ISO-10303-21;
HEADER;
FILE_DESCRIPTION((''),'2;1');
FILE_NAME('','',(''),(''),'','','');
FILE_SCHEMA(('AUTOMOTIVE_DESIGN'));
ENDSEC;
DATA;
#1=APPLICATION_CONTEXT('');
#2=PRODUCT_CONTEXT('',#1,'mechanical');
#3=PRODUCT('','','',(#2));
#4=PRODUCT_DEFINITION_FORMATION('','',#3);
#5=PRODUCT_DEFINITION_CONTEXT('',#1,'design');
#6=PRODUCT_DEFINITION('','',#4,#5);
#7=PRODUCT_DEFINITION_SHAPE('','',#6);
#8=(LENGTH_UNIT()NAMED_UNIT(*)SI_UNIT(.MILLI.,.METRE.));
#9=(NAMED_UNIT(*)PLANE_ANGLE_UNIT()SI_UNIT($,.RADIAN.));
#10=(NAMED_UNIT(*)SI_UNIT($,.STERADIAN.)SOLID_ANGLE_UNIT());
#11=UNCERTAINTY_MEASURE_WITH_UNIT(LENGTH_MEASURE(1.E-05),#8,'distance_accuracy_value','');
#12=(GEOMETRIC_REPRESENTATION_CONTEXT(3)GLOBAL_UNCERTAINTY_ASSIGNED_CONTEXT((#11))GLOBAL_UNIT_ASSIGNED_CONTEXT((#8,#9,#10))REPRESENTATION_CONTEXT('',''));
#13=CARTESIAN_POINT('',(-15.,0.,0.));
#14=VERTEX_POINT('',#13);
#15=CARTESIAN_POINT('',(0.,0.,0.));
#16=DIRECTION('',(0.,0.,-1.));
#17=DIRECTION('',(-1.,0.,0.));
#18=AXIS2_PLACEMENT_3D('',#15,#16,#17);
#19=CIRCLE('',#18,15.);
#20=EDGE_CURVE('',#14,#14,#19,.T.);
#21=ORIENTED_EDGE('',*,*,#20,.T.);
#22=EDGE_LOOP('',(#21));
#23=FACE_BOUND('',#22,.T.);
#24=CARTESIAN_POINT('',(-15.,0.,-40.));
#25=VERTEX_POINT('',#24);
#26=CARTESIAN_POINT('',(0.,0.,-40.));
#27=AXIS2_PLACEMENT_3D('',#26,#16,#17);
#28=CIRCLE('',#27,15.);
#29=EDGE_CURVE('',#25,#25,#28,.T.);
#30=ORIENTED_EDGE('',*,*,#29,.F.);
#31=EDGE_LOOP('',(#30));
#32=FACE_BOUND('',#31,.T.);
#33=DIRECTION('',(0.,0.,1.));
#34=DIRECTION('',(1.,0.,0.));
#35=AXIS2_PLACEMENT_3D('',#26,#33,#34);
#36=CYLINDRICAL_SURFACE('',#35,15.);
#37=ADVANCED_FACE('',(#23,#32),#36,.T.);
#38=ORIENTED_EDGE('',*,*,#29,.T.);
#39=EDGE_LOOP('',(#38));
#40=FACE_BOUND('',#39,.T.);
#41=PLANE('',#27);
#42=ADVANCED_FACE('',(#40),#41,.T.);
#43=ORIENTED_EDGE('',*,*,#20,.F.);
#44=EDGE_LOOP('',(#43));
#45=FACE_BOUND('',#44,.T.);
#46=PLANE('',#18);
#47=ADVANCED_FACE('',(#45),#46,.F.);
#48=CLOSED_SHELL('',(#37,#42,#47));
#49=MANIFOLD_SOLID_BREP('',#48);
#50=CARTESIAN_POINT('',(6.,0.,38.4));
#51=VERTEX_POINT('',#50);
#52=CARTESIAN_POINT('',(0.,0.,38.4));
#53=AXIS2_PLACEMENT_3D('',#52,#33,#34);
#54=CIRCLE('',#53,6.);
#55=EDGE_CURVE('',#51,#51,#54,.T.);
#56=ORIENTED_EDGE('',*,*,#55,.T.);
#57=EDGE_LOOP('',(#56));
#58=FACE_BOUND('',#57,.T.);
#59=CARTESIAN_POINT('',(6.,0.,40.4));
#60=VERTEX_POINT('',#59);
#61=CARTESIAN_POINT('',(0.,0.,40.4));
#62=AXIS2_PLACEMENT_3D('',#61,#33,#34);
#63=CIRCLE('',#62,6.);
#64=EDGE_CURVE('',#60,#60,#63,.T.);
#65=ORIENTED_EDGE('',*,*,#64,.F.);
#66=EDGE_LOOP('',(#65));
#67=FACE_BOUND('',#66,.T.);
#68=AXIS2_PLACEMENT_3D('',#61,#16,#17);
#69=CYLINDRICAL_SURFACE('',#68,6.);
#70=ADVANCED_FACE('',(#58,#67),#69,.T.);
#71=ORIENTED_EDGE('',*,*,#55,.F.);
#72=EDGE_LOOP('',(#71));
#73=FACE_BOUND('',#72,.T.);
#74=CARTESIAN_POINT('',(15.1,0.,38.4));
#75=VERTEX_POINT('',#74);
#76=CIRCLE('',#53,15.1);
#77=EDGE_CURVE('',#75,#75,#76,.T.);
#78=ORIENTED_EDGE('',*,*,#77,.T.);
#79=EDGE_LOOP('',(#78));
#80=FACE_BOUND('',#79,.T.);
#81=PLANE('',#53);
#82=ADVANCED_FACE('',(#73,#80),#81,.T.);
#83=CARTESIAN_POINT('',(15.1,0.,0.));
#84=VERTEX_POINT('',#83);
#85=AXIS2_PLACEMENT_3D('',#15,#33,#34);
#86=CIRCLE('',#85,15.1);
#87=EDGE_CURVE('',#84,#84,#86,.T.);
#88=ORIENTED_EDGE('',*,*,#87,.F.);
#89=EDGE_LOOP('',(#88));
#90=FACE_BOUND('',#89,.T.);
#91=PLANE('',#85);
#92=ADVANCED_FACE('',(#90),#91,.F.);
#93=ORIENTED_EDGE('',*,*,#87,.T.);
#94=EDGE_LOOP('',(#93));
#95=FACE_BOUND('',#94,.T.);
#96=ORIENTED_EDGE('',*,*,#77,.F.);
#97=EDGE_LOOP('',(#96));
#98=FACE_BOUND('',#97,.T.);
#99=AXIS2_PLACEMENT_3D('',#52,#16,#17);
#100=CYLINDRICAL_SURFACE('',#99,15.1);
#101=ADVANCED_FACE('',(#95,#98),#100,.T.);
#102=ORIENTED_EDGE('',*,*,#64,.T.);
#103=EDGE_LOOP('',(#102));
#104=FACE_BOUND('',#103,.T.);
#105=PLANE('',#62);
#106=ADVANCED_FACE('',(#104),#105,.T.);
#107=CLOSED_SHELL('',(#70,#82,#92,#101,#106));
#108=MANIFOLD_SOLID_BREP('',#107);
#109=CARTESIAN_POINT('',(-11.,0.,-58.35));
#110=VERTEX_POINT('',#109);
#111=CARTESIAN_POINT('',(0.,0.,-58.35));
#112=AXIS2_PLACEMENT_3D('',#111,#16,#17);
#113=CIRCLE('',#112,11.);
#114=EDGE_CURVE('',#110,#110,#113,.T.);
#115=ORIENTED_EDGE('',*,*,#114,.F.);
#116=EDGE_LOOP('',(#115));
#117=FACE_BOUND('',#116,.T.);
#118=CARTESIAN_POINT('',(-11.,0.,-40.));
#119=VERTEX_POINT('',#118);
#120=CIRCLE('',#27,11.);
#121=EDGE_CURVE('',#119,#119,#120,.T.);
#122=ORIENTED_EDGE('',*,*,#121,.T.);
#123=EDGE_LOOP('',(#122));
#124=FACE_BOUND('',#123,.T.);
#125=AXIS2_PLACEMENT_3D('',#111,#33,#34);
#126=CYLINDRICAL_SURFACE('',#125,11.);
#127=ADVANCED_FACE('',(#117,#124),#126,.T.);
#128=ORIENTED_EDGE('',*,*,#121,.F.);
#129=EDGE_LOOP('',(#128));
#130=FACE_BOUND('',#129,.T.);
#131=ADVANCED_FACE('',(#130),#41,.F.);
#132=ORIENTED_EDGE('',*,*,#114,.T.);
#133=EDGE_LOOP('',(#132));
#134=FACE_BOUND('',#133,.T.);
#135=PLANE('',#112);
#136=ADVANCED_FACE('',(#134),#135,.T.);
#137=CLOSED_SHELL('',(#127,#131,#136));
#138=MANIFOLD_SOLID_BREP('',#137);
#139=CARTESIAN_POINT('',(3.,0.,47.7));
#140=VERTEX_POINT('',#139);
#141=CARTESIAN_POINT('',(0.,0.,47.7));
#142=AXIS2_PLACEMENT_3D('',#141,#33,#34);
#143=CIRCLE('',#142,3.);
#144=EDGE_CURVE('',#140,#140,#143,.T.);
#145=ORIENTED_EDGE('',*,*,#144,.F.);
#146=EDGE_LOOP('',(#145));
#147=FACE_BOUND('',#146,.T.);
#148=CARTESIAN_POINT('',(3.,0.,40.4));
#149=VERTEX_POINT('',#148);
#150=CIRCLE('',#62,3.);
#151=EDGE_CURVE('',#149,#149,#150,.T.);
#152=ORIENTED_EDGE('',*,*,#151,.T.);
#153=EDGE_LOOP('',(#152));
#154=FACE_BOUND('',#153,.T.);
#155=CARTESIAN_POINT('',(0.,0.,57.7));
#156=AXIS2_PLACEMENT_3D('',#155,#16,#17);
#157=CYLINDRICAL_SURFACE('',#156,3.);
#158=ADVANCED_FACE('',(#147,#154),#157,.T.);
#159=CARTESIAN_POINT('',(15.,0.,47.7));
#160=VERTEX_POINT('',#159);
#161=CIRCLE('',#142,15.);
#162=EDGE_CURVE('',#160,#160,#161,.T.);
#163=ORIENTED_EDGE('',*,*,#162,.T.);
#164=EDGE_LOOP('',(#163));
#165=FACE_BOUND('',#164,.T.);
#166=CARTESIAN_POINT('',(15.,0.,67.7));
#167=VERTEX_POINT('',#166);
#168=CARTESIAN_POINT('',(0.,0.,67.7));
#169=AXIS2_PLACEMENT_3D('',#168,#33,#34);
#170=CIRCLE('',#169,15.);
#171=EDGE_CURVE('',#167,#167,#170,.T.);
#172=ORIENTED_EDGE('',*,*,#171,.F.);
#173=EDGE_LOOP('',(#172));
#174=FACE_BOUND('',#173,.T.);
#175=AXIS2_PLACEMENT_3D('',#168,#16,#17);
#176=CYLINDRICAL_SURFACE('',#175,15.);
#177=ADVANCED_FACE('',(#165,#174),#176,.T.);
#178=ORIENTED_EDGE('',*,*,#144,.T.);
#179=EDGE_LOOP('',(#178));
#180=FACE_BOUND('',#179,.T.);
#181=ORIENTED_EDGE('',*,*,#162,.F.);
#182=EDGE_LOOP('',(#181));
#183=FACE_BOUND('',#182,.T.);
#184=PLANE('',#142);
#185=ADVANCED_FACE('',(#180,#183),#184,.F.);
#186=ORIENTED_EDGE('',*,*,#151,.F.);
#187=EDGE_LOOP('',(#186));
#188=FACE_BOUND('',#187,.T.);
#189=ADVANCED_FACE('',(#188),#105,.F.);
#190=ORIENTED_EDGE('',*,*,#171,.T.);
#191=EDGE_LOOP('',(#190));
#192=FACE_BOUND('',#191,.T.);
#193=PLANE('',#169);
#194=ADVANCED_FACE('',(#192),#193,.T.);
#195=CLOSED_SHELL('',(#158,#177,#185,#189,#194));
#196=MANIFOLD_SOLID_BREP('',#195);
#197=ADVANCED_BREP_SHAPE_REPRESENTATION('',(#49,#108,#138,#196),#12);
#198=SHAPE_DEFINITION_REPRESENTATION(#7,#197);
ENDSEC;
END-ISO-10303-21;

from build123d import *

# Parameters (mm, degrees)
SKETCH1_R                = 15.1
BOSS_EXTRUDE1_DEPTH      = 38.4
SKETCH2_R                = 15
BOSS_EXTRUDE2_DEPTH      = 40
SKETCH3_R                = 6
BOSS_EXTRUDE3_DEPTH      = 2
SKETCH4_R                = 11
BOSS_EXTRUDE4_DEPTH      = 18.35
SKETCH5_R                = 3
BOSS_EXTRUDE5_DEPTH      = 17.3
BOSS_EXTRUDE6_DEPTH      = 10
BOSS_EXTRUDE6_DEPTH_BACK = 10
SKETCH6_R                = 15


with BuildPart() as part:
    # Sketch1 → Boss-Extrude1 (new body)
    with BuildSketch(Plane.XY):
        Circle(SKETCH1_R)
    extrude(amount=BOSS_EXTRUDE1_DEPTH)

    # Sketch3 → Boss-Extrude3 (add)
    with BuildSketch(Plane.XY.offset(38.4)):
        Circle(SKETCH3_R)
    extrude(amount=BOSS_EXTRUDE3_DEPTH)


with BuildPart() as body_2:
    # Sketch2 → Boss-Extrude2 (new body)
    with BuildSketch(Plane(origin=(0, 0, 0), x_dir=(-1, 0, 0), z_dir=(0, 0, -1))):
        Circle(SKETCH2_R)
    extrude(amount=BOSS_EXTRUDE2_DEPTH)


with BuildPart() as body_3:
    # Sketch4 → Boss-Extrude4 (new body)
    with BuildSketch(Plane(origin=(0, 0, -40), x_dir=(-1, 0, 0), z_dir=(0, 0, -1))):
        Circle(SKETCH4_R)
    extrude(amount=BOSS_EXTRUDE4_DEPTH)


with BuildPart() as body_4:
    # Sketch5 → Boss-Extrude5 (new body)
    with BuildSketch(Plane.XY.offset(40.4)):
        Circle(SKETCH5_R)
    extrude(amount=BOSS_EXTRUDE5_DEPTH)

    # Sketch6 → Boss-Extrude6 (add, two sides: drawn at the far end of the back side and taken through both)
    with BuildSketch(Plane.XY.offset(57.7).offset(-BOSS_EXTRUDE6_DEPTH_BACK)):
        Circle(SKETCH6_R)
    extrude(amount=BOSS_EXTRUDE6_DEPTH + BOSS_EXTRUDE6_DEPTH_BACK)


solid = Compound([part.part, body_2.part, body_3.part, body_4.part])
